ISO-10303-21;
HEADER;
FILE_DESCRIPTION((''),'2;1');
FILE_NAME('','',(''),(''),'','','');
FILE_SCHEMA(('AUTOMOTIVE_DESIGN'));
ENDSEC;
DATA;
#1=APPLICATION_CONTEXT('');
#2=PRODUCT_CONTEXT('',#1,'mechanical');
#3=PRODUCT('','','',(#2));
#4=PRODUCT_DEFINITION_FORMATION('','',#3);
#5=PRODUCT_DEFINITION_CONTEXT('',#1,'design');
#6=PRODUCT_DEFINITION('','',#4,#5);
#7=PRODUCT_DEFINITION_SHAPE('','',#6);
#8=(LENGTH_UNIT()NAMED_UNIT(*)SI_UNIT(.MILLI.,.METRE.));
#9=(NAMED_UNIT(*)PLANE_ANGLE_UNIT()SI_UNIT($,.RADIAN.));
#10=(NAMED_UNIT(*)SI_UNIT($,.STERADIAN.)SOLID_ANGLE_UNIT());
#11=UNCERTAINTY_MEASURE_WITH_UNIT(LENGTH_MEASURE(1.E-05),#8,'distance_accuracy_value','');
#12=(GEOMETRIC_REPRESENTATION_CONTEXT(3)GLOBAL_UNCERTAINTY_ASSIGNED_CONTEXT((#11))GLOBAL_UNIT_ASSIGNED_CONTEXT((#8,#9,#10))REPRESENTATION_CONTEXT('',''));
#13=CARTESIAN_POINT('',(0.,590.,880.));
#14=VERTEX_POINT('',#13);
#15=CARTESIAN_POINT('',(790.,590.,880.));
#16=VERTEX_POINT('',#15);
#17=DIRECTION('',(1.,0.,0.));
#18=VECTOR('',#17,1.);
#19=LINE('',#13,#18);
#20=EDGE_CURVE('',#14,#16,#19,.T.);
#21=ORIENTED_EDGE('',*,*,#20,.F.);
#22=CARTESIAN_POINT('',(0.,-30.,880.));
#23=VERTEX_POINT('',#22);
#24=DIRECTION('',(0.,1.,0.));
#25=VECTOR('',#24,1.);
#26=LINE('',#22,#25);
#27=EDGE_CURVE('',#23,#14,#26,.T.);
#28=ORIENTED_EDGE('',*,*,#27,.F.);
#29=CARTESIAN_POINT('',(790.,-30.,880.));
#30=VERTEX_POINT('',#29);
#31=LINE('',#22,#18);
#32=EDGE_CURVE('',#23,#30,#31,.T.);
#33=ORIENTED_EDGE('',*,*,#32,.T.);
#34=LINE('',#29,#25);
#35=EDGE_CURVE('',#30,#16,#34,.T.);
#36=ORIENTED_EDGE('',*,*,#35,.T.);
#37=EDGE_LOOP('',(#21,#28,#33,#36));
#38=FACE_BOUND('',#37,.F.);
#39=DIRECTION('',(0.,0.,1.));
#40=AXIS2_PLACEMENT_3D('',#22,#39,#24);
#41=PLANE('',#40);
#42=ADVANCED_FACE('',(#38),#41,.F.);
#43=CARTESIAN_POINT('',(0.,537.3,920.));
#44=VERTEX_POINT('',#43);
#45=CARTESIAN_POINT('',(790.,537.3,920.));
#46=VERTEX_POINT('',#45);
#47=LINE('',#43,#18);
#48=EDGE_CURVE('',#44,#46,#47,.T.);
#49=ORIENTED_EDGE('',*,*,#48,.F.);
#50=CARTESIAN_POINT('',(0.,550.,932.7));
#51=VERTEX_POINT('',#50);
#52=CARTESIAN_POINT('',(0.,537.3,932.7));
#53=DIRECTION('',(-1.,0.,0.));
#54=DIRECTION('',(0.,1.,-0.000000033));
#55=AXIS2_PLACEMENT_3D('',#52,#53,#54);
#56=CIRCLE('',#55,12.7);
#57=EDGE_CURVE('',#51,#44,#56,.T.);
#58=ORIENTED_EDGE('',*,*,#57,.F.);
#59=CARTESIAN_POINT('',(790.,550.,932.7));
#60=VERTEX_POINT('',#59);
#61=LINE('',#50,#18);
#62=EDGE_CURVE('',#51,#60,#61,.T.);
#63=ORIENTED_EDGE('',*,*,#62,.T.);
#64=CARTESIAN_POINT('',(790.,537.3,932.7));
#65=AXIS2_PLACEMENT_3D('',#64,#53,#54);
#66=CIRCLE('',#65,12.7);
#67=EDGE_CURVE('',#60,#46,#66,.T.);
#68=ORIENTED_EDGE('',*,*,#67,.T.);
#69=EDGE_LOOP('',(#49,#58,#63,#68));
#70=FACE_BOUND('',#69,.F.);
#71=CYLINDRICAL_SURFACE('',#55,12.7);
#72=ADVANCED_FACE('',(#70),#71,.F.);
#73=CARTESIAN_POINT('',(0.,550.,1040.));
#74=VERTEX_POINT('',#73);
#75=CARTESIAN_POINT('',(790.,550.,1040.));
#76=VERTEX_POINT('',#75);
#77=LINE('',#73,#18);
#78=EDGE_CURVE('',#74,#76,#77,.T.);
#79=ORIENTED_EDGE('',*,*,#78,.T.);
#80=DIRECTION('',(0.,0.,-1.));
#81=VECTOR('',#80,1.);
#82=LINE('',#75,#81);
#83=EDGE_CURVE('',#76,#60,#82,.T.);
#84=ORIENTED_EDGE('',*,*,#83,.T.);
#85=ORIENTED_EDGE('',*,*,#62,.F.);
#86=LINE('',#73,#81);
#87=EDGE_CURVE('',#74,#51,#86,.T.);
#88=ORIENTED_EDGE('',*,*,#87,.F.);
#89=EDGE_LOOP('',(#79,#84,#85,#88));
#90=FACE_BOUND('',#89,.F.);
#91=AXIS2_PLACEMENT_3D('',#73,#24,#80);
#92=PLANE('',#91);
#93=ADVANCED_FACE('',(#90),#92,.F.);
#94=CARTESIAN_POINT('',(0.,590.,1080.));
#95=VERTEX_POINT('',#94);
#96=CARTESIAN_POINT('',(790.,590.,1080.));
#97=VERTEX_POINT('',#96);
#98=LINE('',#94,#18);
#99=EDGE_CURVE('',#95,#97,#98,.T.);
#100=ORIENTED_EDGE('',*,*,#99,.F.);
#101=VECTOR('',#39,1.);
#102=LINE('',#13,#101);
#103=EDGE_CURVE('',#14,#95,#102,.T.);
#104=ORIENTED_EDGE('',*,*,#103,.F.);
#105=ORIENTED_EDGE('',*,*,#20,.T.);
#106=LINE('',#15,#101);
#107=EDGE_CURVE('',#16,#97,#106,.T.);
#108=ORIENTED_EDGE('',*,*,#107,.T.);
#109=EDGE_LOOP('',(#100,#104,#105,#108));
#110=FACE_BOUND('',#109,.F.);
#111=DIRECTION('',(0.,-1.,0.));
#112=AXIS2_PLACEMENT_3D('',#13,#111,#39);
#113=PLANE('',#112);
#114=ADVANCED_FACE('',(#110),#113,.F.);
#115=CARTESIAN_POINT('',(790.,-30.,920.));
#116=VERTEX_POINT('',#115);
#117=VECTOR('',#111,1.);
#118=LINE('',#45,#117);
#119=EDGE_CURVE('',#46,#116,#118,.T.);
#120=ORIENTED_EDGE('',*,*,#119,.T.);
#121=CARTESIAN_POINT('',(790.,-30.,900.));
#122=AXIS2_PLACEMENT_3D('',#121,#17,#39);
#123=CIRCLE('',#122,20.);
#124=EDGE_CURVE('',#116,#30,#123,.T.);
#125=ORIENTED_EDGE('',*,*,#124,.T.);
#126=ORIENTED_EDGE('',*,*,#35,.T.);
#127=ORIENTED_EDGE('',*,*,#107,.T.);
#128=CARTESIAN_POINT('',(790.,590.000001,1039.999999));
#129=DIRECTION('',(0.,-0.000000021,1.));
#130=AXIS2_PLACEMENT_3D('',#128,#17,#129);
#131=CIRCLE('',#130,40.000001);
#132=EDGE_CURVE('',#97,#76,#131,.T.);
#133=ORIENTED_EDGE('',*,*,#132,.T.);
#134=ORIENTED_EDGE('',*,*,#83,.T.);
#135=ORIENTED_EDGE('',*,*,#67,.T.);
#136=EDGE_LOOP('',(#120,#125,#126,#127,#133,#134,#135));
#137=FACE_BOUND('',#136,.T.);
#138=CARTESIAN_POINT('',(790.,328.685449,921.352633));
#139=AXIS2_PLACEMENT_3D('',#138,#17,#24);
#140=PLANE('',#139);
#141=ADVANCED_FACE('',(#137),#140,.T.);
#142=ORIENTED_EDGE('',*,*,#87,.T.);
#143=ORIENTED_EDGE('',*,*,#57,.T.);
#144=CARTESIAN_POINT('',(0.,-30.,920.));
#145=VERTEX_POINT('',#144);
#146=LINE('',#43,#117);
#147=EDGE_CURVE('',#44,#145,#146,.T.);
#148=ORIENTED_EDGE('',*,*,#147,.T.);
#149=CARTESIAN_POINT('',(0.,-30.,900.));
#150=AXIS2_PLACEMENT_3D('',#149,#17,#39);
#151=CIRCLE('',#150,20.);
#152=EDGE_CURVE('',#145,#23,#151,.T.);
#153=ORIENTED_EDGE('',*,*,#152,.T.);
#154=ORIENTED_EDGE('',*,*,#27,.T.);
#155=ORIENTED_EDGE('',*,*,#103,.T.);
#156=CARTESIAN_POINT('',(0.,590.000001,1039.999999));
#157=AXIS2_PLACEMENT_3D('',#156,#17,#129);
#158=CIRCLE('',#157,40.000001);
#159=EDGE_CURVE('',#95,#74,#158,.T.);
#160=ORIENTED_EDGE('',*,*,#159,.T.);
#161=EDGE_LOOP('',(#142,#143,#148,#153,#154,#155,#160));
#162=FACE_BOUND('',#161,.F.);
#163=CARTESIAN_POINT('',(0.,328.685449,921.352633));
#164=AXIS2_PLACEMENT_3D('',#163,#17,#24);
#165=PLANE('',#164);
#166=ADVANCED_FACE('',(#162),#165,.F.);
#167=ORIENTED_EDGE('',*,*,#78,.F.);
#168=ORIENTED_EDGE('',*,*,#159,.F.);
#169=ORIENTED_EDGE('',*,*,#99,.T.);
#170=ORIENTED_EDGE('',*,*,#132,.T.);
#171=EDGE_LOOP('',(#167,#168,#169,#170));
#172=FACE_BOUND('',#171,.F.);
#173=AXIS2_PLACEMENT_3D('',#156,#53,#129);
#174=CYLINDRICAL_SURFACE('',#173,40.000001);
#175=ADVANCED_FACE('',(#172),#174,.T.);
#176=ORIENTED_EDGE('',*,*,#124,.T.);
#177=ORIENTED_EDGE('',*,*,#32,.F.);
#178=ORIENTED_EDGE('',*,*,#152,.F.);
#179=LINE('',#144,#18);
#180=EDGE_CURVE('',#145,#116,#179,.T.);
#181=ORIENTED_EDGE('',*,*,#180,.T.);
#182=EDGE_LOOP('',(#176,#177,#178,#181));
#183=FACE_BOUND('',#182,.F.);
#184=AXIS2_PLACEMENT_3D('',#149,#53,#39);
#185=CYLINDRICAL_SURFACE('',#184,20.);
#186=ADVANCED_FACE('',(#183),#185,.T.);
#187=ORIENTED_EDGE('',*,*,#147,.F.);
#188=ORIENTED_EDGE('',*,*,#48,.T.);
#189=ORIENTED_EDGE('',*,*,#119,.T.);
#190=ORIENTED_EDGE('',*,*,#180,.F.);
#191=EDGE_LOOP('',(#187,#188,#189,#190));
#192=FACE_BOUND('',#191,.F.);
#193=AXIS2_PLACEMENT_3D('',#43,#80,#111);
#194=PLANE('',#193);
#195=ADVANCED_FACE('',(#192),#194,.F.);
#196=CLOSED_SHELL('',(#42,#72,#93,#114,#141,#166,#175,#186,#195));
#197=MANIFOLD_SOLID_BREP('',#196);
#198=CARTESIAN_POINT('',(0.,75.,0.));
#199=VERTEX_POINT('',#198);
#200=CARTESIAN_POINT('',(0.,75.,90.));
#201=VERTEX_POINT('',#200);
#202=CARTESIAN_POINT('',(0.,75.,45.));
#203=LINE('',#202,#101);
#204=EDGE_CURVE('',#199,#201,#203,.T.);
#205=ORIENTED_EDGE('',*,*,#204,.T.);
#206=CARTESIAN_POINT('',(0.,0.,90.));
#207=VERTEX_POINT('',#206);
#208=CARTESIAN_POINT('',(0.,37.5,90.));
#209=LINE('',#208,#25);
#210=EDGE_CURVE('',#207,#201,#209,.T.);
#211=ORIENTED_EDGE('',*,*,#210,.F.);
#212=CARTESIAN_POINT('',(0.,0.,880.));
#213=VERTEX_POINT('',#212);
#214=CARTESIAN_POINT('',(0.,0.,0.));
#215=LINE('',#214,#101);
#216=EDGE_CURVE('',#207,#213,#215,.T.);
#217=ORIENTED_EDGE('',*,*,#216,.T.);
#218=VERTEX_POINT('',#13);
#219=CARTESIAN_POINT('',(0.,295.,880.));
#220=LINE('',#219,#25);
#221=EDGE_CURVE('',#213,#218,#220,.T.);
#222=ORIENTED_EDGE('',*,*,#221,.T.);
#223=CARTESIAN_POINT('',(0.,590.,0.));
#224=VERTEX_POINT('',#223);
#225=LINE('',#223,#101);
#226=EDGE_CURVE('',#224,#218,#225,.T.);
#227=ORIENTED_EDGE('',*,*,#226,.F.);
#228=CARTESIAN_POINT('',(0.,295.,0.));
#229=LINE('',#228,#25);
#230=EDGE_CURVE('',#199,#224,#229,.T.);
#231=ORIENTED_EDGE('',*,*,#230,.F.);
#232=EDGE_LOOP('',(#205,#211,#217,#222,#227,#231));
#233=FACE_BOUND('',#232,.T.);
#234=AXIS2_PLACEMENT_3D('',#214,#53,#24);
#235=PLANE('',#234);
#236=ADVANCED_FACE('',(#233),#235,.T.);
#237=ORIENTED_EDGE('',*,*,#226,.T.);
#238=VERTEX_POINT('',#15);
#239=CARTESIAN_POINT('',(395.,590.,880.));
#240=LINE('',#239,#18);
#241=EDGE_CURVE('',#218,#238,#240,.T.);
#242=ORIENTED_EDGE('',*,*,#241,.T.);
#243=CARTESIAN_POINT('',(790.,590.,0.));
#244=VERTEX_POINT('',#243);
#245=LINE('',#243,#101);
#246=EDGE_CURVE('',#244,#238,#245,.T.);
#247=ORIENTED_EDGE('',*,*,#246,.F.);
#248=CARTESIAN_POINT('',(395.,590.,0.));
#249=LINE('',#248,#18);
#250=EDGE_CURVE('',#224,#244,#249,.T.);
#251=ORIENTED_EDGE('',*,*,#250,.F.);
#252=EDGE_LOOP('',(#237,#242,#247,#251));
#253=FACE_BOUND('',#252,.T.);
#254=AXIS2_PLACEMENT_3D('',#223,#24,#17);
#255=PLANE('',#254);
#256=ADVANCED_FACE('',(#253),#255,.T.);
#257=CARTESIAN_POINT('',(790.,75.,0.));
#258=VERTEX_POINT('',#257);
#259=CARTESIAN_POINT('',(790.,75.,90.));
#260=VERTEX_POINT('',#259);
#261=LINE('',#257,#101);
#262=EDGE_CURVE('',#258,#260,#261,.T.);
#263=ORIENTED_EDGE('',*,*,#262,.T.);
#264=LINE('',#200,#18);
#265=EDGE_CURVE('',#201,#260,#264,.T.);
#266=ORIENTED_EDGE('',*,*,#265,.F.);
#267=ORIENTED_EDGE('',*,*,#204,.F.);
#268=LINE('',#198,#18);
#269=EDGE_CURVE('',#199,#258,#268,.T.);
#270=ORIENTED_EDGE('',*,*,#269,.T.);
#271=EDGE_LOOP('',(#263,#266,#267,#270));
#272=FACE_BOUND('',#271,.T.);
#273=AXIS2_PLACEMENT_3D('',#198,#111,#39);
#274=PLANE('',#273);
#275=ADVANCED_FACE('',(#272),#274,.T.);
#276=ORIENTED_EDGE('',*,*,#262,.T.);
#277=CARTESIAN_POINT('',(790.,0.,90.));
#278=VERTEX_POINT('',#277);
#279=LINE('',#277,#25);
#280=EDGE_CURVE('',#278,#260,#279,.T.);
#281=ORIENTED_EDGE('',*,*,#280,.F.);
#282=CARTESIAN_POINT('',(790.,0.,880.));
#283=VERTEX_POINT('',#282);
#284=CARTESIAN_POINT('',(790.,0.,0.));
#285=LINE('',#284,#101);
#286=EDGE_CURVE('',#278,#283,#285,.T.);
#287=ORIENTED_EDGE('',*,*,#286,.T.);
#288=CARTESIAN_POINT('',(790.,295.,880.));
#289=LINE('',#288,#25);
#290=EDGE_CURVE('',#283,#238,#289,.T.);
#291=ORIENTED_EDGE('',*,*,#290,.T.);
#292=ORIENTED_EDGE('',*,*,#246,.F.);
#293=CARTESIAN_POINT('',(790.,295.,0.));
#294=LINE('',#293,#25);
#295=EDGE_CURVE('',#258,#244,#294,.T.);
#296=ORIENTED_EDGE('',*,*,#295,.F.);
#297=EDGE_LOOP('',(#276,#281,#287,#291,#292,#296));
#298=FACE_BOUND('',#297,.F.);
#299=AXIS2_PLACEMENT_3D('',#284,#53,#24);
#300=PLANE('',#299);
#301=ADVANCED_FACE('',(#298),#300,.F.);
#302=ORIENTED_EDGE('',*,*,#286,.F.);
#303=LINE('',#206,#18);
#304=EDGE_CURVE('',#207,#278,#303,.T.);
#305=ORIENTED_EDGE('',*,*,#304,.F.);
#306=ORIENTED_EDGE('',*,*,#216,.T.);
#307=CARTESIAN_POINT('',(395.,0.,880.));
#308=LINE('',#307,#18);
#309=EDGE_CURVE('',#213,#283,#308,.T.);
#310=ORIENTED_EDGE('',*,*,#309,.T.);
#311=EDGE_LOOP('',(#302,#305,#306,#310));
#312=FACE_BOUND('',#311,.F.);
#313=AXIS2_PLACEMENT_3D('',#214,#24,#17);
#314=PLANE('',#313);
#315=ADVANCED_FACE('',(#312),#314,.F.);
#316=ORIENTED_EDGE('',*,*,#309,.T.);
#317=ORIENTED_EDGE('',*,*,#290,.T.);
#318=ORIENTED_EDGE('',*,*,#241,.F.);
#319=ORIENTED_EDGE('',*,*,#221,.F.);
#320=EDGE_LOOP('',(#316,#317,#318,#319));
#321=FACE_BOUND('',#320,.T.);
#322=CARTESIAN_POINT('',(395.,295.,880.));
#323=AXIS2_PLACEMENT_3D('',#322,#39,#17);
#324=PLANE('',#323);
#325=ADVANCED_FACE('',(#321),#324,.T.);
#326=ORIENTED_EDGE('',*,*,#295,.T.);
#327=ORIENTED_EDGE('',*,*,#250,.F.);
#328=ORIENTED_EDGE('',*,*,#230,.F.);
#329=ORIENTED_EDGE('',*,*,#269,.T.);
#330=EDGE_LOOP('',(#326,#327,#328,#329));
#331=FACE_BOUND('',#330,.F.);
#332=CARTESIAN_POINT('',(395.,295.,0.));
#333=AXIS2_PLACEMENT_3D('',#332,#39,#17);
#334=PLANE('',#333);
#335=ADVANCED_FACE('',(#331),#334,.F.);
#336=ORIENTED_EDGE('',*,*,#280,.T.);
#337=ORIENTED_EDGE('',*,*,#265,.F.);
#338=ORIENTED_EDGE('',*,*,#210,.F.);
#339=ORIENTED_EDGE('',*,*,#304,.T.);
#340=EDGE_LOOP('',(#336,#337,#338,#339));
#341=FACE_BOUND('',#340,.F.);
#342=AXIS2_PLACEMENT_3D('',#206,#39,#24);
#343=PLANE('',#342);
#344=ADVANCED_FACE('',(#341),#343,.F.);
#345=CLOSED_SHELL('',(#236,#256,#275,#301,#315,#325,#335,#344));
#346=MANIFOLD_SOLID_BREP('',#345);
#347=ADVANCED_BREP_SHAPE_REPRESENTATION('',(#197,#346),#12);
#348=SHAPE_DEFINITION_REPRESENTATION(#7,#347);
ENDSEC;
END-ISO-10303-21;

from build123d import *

# Parameters (mm, degrees)
F0_W     = 790
F0_H     = 590
F1_DEPTH = 880
F2_W     = 75
F2_H     = 90
F3_DEPTH = 790.001
F5_DEPTH = 790


with BuildPart() as f1:
    # F0 (on Top) → F1 (new body)
    with BuildSketch(Plane.XY):
        with Locations((395, 295)):
            Rectangle(F0_W, F0_H)
    extrude(amount=F1_DEPTH)

    # F2 (on Right) → F3 (cut, through all)
    with BuildSketch(Plane.YZ):
        with Locations((37.5, 45)):
            Rectangle(F2_W, F2_H)
    extrude(amount=F3_DEPTH, mode=Mode.SUBTRACT)


with BuildPart() as f5:
    # F4 (on Right) → F5 (new body, through all)
    with BuildSketch(Plane.YZ):
        with BuildLine():
            Line((-30, 880), (590, 880))
            Line((590, 880), (590, 1080))
            ThreePointArc((590, 1080), (561.715729, 1068.284271), (550, 1040))
            Line((550, 1040), (550, 932.7))
            ThreePointArc((550, 932.7), (546.280256, 923.719744), (537.3, 920))
            Line((537.3, 920), (-30, 920))
            ThreePointArc((-30, 920), (-50, 900), (-30, 880))
        make_face()
    extrude(amount=F5_DEPTH)


solid = Compound([f1.part, f5.part])
